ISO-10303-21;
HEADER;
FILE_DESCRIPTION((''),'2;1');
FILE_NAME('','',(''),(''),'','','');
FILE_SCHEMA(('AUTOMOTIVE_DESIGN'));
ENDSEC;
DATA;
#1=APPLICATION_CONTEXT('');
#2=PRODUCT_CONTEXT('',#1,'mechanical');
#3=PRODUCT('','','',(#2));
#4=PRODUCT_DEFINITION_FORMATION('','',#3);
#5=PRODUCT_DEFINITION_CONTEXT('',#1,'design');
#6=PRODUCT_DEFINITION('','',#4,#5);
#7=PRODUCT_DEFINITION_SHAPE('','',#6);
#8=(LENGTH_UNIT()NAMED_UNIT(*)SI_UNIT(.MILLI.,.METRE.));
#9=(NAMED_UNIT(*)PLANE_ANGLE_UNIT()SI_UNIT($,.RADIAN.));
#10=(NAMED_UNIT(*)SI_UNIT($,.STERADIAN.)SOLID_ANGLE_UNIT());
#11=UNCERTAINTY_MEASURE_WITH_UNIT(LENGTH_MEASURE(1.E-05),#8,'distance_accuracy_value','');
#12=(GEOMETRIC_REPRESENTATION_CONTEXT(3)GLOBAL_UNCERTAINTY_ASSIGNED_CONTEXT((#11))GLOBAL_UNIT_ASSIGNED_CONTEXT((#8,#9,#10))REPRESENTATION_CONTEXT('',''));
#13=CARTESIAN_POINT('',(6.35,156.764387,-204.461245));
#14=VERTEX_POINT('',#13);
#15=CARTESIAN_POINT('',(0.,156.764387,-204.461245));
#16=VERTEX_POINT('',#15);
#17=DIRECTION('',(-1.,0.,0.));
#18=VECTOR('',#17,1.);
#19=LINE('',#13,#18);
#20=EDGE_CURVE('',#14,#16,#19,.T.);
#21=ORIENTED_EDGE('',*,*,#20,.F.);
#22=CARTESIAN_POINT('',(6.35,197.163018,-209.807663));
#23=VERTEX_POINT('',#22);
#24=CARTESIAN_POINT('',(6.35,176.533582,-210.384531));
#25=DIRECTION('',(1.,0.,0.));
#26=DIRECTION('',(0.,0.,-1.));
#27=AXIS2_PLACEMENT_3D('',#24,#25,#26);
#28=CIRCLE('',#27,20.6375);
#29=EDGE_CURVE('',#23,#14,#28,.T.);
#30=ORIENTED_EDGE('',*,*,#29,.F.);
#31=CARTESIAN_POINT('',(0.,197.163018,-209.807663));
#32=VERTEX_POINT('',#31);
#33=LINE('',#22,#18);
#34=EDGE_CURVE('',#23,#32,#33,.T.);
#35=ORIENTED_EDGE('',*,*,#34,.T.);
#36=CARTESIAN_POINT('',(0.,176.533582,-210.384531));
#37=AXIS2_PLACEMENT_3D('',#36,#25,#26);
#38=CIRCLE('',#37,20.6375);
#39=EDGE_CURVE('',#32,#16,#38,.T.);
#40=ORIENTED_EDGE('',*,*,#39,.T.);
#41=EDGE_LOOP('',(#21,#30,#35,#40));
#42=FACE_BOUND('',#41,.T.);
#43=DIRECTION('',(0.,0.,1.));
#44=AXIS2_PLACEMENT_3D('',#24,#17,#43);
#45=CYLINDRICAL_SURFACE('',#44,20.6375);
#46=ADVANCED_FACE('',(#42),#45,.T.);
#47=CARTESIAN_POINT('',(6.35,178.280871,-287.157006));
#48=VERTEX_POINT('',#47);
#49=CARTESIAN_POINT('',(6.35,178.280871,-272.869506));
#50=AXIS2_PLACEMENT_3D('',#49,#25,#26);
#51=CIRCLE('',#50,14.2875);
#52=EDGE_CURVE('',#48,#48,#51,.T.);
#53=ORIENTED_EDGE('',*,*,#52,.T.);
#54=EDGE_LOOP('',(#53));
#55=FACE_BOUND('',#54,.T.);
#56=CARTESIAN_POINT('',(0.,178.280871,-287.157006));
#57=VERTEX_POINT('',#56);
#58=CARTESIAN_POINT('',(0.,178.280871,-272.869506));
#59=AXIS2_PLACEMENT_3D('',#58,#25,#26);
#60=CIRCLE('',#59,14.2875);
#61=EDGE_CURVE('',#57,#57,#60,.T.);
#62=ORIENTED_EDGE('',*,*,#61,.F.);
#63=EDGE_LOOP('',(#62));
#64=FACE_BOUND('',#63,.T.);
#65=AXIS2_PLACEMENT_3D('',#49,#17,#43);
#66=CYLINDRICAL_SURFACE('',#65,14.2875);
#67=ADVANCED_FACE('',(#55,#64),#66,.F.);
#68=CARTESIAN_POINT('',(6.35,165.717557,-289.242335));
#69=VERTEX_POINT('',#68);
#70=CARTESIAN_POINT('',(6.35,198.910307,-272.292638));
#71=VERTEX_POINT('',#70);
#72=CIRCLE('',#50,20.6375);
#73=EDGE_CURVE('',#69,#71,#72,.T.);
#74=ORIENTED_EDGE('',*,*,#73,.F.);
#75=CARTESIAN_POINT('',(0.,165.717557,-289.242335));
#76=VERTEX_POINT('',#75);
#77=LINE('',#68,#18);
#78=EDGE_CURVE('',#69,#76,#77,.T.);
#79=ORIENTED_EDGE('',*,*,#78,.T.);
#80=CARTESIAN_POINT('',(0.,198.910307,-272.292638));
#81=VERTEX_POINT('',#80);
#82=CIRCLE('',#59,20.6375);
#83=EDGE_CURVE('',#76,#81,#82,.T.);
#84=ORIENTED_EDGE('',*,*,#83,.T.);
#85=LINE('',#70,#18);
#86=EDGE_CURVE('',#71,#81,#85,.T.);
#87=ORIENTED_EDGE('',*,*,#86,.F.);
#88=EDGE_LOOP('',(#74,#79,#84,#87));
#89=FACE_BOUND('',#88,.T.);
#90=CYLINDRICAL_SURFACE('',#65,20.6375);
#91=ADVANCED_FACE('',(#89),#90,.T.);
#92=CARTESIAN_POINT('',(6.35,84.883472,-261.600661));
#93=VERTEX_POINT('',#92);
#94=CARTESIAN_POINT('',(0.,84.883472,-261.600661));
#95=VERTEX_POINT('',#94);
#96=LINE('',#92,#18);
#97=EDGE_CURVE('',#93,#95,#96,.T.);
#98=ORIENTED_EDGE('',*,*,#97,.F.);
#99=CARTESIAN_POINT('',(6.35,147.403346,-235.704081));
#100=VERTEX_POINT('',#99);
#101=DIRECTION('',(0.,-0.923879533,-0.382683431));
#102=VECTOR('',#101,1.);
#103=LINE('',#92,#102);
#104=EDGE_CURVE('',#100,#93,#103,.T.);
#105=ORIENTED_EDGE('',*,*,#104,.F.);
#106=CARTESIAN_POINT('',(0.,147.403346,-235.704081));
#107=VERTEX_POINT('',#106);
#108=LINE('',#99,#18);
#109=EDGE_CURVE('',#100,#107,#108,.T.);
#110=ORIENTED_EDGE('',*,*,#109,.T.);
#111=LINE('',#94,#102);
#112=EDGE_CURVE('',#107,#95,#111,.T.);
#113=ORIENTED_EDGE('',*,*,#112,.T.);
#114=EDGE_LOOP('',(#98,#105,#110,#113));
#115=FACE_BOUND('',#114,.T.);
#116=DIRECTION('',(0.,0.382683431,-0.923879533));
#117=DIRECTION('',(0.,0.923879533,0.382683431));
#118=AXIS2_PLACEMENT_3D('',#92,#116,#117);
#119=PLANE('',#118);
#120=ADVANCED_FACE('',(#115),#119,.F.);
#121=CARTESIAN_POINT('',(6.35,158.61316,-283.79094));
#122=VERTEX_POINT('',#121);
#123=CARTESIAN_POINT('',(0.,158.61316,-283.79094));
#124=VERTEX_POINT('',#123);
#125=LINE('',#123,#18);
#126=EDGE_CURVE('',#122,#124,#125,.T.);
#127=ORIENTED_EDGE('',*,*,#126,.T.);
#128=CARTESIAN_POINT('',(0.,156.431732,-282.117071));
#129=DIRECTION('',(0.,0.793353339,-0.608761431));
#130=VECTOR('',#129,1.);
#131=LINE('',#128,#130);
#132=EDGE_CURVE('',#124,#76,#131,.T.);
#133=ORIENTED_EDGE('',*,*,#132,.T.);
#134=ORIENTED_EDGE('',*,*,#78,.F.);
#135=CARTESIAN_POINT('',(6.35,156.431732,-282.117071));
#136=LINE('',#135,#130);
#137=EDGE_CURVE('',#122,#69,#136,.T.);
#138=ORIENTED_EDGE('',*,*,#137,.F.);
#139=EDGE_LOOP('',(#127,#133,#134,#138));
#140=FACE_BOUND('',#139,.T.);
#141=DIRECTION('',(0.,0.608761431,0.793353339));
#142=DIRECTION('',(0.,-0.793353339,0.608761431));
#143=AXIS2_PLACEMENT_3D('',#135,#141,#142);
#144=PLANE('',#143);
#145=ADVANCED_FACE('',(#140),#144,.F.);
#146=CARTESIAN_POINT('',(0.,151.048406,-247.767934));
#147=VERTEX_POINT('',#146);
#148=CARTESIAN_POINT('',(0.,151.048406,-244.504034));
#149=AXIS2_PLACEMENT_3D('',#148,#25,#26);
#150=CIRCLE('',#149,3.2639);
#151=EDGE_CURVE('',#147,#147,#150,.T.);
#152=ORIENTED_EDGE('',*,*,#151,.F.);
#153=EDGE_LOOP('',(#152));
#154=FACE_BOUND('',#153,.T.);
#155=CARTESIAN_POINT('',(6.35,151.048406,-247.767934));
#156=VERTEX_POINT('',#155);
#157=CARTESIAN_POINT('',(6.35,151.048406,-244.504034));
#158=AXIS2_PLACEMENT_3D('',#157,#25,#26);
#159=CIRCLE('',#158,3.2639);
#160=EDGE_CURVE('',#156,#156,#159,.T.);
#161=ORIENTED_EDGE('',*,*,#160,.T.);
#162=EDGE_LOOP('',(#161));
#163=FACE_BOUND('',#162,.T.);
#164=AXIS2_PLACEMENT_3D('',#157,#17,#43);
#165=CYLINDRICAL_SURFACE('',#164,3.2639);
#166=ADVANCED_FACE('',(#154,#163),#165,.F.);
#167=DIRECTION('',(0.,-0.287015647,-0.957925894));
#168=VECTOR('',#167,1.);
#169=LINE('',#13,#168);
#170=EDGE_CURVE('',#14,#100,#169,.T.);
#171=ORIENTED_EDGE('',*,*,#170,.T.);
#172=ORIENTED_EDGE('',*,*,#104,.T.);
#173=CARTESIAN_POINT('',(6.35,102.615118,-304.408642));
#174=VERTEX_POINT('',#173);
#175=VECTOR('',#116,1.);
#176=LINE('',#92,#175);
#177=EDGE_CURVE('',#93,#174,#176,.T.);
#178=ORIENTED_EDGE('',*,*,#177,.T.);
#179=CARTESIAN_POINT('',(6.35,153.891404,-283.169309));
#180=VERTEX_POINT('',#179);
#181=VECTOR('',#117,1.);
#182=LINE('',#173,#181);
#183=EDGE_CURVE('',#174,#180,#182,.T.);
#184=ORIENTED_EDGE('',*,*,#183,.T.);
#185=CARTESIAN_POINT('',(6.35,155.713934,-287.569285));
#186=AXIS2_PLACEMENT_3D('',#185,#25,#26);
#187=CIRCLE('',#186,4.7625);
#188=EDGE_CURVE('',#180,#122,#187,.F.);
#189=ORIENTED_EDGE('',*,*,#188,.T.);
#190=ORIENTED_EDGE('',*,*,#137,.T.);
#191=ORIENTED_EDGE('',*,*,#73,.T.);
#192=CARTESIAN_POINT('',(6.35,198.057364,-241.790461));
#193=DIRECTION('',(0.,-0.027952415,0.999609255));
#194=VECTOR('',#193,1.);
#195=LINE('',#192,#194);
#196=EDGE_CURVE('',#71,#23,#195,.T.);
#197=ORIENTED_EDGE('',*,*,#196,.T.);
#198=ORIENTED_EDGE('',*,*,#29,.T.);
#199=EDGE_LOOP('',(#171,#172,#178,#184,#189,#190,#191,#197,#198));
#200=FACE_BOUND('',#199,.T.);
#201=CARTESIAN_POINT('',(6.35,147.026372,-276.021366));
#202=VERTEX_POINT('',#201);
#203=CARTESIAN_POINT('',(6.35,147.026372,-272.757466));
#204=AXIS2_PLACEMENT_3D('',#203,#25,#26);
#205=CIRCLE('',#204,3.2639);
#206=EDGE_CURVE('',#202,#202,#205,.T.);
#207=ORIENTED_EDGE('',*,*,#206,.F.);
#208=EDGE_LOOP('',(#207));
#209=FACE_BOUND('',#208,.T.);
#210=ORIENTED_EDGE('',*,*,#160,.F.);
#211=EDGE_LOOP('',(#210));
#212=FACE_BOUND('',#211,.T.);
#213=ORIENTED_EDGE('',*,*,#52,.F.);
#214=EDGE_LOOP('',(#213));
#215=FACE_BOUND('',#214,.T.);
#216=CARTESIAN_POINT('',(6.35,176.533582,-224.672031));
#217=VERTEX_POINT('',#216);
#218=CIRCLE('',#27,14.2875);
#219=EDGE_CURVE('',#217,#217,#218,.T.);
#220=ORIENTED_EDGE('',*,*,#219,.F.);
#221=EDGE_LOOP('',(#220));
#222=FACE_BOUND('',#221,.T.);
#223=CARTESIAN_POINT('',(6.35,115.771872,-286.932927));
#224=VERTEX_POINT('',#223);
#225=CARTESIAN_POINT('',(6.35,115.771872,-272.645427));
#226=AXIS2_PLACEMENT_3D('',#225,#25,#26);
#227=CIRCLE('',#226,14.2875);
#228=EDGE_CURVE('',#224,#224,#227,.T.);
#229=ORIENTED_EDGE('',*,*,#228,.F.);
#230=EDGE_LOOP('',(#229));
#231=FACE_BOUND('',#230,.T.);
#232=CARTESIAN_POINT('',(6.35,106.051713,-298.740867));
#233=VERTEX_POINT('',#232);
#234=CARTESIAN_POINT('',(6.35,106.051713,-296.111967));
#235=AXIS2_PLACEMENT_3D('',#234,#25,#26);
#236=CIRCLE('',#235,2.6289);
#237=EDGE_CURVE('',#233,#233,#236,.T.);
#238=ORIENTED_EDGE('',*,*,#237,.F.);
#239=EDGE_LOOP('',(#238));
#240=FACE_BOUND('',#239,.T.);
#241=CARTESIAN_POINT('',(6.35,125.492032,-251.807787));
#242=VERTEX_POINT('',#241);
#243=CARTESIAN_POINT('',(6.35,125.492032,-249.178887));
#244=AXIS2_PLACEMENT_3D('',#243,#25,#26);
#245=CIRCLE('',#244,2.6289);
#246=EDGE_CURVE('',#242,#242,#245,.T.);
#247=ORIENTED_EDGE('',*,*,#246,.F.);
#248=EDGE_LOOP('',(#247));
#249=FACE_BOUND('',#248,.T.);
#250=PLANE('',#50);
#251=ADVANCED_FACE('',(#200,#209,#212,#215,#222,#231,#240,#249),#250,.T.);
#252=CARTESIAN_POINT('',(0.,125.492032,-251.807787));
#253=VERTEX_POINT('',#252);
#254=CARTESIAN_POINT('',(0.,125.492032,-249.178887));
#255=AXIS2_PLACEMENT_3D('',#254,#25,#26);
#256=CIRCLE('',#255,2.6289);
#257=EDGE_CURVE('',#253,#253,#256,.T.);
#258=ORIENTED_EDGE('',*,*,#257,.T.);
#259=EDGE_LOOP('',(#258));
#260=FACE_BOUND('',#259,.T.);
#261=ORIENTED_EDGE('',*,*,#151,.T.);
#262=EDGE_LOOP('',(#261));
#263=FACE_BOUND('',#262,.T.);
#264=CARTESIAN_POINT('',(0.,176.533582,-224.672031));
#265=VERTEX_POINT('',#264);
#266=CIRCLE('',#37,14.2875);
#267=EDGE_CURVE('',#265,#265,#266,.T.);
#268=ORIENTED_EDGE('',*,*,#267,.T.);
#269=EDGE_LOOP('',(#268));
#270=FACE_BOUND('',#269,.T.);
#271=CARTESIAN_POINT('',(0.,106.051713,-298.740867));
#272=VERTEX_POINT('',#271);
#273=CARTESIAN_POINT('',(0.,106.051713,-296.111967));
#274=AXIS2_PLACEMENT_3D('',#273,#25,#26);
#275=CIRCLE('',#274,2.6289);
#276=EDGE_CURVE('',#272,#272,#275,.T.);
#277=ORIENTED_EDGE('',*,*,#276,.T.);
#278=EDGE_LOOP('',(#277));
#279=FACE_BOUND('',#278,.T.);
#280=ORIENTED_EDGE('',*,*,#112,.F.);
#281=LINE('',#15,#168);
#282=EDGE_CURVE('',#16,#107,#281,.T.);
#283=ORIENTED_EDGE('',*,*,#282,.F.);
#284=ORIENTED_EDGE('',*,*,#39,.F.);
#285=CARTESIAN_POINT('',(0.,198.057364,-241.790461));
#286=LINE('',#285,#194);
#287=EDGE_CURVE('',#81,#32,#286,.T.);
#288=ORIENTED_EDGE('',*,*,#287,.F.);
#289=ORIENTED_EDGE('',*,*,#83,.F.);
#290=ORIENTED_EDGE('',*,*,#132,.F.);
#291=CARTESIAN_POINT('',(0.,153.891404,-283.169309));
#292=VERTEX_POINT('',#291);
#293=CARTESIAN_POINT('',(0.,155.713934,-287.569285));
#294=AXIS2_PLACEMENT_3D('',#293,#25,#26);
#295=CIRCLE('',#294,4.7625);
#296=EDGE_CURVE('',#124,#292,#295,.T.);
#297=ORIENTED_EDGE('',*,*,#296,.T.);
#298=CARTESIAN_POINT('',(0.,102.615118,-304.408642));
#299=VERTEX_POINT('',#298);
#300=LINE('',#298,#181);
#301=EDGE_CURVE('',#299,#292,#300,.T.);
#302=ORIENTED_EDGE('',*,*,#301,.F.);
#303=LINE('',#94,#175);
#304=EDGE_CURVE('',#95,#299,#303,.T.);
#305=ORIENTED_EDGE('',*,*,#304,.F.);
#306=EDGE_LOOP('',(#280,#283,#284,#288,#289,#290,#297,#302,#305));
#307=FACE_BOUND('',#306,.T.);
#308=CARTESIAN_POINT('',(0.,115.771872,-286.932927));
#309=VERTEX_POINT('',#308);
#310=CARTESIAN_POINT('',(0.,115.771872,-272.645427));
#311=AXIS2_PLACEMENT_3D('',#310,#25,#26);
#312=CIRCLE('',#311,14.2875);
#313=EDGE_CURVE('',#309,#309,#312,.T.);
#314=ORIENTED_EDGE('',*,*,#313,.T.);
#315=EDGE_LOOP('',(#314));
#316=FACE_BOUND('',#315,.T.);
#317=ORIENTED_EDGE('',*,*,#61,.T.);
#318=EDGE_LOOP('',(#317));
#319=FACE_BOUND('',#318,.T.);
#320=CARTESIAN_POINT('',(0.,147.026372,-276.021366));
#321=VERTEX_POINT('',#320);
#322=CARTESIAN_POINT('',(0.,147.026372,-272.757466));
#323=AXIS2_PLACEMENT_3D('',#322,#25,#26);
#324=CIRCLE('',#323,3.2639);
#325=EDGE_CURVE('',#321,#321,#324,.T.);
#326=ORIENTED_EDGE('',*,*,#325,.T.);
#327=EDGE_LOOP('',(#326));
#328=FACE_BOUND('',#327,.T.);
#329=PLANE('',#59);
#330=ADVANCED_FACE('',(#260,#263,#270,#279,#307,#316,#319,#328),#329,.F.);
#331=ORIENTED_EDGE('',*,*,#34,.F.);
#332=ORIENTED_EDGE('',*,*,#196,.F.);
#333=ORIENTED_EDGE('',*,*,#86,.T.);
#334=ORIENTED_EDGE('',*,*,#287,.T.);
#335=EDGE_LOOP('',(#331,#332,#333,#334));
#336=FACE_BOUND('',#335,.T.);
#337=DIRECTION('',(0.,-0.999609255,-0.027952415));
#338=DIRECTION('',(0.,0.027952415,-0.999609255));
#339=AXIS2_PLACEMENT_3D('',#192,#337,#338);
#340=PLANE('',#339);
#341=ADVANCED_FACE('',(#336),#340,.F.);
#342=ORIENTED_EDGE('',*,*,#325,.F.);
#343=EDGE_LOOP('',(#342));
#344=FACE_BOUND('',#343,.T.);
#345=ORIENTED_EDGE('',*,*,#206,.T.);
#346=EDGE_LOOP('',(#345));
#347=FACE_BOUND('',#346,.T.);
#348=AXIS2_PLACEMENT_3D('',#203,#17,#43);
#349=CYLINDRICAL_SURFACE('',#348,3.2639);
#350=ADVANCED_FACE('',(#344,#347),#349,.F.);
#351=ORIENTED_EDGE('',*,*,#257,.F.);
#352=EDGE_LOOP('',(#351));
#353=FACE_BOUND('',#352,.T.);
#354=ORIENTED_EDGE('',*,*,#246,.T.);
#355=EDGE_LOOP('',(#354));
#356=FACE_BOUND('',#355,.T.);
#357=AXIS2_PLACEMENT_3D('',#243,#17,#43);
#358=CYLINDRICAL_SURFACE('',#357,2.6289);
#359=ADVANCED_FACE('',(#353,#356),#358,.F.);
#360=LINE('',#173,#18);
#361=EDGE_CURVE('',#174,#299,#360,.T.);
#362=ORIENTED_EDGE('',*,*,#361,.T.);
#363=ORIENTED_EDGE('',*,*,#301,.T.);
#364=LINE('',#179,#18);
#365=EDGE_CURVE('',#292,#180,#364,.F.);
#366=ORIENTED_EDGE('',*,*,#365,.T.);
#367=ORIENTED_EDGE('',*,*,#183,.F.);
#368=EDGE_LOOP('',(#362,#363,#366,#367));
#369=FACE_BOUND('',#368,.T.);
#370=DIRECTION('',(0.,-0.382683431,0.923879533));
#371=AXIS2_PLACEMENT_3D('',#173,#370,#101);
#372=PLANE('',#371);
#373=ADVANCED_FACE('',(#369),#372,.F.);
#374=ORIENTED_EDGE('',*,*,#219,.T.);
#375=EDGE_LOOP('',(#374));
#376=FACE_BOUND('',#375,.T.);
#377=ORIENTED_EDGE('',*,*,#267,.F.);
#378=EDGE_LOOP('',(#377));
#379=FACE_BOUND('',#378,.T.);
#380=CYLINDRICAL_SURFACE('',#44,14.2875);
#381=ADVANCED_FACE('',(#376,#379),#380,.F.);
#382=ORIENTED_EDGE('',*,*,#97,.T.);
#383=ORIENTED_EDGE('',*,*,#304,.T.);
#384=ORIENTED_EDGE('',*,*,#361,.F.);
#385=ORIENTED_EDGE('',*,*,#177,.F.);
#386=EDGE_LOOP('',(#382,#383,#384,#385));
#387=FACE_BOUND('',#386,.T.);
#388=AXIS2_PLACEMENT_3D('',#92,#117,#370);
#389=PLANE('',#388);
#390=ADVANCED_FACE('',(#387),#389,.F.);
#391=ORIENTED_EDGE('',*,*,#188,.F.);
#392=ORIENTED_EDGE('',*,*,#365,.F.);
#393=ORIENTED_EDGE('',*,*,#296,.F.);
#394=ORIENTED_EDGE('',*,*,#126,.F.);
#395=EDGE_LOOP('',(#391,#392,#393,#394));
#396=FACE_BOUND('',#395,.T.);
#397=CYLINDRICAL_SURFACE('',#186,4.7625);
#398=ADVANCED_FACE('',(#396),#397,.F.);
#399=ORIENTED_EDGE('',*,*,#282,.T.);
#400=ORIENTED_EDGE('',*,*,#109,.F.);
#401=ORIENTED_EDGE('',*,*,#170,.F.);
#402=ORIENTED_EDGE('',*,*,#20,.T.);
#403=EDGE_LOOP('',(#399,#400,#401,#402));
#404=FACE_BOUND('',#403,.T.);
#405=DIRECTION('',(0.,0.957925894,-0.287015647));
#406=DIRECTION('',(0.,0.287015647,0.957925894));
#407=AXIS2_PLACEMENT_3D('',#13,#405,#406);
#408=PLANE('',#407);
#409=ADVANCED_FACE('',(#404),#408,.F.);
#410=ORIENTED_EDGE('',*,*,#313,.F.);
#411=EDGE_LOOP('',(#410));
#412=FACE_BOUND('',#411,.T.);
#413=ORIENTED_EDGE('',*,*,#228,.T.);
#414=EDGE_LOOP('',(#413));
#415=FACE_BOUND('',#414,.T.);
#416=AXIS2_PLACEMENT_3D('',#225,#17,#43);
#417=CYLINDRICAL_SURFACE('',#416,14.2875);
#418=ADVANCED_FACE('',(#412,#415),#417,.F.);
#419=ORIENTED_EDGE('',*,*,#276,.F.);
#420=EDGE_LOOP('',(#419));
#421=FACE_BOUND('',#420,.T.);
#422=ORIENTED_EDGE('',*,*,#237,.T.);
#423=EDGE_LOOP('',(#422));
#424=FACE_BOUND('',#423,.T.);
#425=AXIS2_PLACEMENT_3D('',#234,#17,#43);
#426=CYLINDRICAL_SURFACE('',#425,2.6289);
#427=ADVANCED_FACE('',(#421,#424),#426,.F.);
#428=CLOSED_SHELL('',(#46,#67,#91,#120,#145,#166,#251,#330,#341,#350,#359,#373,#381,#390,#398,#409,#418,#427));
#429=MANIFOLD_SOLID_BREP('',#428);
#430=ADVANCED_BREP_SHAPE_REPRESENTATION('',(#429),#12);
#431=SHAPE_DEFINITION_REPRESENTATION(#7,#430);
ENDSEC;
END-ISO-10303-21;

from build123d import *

# Parameters (mm, degrees)
SKETCH1_R           = 2.6289
SKETCH1_R_2         = 14.2875
SKETCH1_R_3         = 3.2639
BOSS_EXTRUDE1_DEPTH = 6.35
FILLET1_R           = 4.7625


with BuildPart() as part:
    # Sketch1 → Boss-Extrude1 (new body)
    with BuildSketch(Plane(origin=(0, 0, 0), x_dir=(0, 0, -1), z_dir=(1, 0, 0))):
        with BuildLine():
            Line((261.600661049, 84.883471899), (235.704081281, 147.403346332))
            Line((235.704081281, 147.403346332), (204.461245323, 156.764386521))
            ThreePointArc((204.461245323, 156.764386521), (189.925416447, 179.241173024), (209.807662792, 197.163018154))
            Line((209.807662792, 197.163018154), (241.790461139, 198.057364052))
            Line((241.790461139, 198.057364052), (272.292637552, 198.910306814))
            ThreePointArc((272.292637552, 198.910306814), (291.249324985, 187.666425791), (289.242335043, 165.717556793))
            Line((289.242335043, 165.717556793), (282.117070677, 156.43173152))
            Line((282.117070677, 156.43173152), (304.408641761, 102.615117992))
            Line((304.408641761, 102.615117992), (261.600661049, 84.883471899))
        make_face()
        with Locations((296.111966941, 106.051713243)):
            Circle(SKETCH1_R, mode=Mode.SUBTRACT)
        with Locations((249.178886841, 125.492031649)):
            Circle(SKETCH1_R, mode=Mode.SUBTRACT)
        with Locations((272.645426891, 115.771872446)):
            Circle(SKETCH1_R_2, mode=Mode.SUBTRACT)
        with Locations((210.384530747, 176.533582155)):
            Circle(SKETCH1_R_2, mode=Mode.SUBTRACT)
        with Locations((272.869505507, 178.280870816)):
            Circle(SKETCH1_R_2, mode=Mode.SUBTRACT)
        with Locations((272.757466199, 147.026371631)):
            Circle(SKETCH1_R_3, mode=Mode.SUBTRACT)
        with Locations((244.504033835, 151.048406008)):
            Circle(SKETCH1_R_3, mode=Mode.SUBTRACT)
    extrude(amount=BOSS_EXTRUDE1_DEPTH)

    # Fillet1
    fillet1_edges = [part.edges().sort_by_distance(p)[0] for p in [
        (3.175, 156.43173152, -282.117070677),
    ]]
    fillet(fillet1_edges, radius=FILLET1_R)


solid = part.part
